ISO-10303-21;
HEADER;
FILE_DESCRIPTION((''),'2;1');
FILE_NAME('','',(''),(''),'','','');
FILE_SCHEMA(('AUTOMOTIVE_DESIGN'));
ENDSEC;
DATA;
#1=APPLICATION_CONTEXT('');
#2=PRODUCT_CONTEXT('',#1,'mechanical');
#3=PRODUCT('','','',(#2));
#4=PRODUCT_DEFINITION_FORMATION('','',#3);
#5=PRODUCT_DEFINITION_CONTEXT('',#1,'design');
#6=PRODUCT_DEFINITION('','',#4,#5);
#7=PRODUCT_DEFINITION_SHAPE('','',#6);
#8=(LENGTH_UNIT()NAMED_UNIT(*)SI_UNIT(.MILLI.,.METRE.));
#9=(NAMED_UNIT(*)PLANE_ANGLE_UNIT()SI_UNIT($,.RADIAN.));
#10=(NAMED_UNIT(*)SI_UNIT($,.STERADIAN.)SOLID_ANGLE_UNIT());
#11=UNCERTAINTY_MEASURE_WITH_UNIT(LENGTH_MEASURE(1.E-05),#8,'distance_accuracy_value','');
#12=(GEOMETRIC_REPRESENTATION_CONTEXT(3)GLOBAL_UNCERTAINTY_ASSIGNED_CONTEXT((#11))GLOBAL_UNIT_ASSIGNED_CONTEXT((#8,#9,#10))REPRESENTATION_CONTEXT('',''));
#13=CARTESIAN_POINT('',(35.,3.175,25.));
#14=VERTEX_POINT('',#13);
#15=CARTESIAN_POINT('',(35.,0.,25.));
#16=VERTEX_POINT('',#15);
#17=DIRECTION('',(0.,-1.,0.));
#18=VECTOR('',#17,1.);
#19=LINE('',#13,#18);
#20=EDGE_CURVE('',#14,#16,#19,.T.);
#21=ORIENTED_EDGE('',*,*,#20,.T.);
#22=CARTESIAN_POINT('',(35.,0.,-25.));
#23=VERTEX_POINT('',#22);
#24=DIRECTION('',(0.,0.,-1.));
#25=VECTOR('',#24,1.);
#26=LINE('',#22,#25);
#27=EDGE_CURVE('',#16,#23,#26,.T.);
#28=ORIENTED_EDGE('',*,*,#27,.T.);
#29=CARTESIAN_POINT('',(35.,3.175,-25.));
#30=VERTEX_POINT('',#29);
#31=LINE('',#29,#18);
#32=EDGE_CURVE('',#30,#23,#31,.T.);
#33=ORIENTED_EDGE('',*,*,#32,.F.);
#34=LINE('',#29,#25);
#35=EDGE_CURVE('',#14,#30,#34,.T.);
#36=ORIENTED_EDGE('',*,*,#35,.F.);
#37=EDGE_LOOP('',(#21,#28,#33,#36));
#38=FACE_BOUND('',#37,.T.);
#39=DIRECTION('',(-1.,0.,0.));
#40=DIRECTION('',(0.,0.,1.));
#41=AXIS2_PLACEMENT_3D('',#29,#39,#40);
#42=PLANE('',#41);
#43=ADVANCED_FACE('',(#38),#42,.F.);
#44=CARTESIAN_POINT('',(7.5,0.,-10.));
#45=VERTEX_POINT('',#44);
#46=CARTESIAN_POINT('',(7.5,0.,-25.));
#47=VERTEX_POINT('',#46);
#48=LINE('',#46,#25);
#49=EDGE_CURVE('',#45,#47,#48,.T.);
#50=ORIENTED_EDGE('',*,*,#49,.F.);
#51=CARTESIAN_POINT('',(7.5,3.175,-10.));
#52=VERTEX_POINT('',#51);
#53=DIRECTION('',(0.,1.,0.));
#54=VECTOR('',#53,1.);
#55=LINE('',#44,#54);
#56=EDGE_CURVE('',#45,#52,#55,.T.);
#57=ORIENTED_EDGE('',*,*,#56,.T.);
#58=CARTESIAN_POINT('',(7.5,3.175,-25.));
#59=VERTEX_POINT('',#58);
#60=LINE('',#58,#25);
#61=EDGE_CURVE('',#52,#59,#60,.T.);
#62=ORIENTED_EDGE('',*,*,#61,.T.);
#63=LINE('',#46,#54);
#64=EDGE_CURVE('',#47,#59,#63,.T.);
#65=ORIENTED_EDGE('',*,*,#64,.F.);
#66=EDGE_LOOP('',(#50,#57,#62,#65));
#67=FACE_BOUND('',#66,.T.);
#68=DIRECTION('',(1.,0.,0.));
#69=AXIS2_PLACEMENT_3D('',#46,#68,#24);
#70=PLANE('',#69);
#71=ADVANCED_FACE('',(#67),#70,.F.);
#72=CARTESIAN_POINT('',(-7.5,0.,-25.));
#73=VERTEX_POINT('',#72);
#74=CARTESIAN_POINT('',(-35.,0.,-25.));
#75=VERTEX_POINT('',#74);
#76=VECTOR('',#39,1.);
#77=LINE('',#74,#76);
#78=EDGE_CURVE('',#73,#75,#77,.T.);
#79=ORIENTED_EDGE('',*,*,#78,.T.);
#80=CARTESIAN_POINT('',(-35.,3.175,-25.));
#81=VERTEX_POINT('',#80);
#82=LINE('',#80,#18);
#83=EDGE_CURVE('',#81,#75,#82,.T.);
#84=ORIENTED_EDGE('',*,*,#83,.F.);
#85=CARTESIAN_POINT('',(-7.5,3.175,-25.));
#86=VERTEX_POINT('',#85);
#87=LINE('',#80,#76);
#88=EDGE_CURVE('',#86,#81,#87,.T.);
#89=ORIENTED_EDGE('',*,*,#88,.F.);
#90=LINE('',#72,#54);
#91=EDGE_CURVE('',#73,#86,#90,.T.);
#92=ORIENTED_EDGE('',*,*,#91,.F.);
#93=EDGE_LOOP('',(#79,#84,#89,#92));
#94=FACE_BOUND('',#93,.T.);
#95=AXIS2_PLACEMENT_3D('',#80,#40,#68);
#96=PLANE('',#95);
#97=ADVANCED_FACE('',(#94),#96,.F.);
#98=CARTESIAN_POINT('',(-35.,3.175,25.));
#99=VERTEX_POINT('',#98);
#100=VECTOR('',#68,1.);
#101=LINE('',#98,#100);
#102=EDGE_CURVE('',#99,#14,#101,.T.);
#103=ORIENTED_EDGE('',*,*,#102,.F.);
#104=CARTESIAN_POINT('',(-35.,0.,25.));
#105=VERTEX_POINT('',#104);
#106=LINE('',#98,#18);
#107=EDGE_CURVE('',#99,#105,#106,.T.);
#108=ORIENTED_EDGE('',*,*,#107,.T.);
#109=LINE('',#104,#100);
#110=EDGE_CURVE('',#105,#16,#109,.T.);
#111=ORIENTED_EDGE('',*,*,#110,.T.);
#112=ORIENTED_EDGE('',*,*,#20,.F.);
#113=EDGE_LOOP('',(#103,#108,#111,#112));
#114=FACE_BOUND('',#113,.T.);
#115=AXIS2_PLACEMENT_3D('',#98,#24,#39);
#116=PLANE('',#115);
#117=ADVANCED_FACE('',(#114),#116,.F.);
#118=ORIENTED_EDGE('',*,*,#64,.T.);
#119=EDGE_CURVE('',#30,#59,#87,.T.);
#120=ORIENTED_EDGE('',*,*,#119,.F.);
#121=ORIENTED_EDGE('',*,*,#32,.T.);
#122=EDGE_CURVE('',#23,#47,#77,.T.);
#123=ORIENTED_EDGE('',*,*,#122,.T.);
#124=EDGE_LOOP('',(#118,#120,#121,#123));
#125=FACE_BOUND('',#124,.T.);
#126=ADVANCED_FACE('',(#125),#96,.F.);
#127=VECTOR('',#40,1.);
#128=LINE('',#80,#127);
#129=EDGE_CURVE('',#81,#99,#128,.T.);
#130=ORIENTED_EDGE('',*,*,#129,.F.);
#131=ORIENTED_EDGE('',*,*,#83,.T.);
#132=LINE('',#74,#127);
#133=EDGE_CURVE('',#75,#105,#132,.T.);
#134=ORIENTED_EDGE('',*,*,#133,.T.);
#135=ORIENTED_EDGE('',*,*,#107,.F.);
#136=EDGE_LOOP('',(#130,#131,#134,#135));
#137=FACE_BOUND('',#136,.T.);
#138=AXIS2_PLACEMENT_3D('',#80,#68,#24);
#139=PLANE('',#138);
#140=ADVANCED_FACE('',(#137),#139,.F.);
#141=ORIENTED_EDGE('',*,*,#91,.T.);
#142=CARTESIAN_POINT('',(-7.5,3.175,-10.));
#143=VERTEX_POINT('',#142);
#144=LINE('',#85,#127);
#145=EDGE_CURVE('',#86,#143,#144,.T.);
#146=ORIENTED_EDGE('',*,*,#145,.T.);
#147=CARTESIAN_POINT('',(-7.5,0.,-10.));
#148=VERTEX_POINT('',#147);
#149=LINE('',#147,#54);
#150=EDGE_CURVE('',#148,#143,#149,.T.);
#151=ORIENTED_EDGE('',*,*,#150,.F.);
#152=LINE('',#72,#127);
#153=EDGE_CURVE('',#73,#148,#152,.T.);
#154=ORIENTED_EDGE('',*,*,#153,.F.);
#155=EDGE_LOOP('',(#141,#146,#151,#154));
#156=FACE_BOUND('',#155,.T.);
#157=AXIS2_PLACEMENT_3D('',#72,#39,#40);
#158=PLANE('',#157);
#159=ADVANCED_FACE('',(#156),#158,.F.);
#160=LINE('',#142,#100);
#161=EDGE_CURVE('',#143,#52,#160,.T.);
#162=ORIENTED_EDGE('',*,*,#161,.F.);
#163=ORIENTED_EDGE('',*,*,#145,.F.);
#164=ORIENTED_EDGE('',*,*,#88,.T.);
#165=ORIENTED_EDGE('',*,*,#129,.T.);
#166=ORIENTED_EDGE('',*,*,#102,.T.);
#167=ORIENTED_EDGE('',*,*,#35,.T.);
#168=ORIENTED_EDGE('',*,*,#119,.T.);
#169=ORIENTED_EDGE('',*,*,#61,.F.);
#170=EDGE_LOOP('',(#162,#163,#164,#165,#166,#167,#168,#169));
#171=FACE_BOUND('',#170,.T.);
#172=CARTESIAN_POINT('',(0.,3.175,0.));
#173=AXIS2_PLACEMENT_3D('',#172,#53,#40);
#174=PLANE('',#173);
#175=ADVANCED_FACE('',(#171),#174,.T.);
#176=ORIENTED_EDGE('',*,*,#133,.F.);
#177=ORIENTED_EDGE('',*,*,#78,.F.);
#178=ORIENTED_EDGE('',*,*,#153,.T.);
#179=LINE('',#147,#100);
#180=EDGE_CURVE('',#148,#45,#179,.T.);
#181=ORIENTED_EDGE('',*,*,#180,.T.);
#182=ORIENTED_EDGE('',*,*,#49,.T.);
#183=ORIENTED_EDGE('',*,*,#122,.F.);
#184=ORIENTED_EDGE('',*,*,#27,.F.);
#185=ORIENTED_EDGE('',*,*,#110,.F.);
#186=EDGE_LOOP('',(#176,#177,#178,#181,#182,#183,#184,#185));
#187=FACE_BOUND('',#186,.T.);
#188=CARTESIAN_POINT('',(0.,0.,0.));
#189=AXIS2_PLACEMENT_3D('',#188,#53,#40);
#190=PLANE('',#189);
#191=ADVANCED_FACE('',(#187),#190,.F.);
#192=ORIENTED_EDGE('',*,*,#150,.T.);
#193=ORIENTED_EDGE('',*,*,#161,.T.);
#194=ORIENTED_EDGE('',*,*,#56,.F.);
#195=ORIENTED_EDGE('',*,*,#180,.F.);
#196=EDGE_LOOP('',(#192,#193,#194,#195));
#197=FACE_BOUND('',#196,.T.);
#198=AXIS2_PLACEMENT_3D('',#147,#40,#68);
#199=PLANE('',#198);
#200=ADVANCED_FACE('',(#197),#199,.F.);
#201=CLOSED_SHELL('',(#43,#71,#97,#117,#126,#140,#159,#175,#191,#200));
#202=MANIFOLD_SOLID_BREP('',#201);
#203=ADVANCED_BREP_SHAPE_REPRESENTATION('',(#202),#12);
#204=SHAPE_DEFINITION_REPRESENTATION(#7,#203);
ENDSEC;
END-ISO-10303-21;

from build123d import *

# Parameters (mm, degrees)
SKETCH1_W           = 70
SKETCH1_H           = 50
BOSS_EXTRUDE1_DEPTH = 3.175
SKETCH2_W           = 15
SKETCH2_H           = 15
CUT_EXTRUDE1_DEPTH  = 4.175


with BuildPart() as part:
    # Sketch1 → Boss-Extrude1 (new body)
    with BuildSketch(Plane(origin=(0, 0, 0), x_dir=(1, 0, 0), z_dir=(0, 1, 0))):
        Rectangle(SKETCH1_W, SKETCH1_H)
    extrude(amount=BOSS_EXTRUDE1_DEPTH)

    # Sketch2 → Cut-Extrude1 (cut, through all)
    with BuildSketch(Plane(origin=(0, 3.175, 0), x_dir=(1, 0, 0), z_dir=(0, 1, 0))):
        with Locations((0, 17.5)):
            Rectangle(SKETCH2_W, SKETCH2_H)
    extrude(amount=-CUT_EXTRUDE1_DEPTH, mode=Mode.SUBTRACT)


solid = part.part
